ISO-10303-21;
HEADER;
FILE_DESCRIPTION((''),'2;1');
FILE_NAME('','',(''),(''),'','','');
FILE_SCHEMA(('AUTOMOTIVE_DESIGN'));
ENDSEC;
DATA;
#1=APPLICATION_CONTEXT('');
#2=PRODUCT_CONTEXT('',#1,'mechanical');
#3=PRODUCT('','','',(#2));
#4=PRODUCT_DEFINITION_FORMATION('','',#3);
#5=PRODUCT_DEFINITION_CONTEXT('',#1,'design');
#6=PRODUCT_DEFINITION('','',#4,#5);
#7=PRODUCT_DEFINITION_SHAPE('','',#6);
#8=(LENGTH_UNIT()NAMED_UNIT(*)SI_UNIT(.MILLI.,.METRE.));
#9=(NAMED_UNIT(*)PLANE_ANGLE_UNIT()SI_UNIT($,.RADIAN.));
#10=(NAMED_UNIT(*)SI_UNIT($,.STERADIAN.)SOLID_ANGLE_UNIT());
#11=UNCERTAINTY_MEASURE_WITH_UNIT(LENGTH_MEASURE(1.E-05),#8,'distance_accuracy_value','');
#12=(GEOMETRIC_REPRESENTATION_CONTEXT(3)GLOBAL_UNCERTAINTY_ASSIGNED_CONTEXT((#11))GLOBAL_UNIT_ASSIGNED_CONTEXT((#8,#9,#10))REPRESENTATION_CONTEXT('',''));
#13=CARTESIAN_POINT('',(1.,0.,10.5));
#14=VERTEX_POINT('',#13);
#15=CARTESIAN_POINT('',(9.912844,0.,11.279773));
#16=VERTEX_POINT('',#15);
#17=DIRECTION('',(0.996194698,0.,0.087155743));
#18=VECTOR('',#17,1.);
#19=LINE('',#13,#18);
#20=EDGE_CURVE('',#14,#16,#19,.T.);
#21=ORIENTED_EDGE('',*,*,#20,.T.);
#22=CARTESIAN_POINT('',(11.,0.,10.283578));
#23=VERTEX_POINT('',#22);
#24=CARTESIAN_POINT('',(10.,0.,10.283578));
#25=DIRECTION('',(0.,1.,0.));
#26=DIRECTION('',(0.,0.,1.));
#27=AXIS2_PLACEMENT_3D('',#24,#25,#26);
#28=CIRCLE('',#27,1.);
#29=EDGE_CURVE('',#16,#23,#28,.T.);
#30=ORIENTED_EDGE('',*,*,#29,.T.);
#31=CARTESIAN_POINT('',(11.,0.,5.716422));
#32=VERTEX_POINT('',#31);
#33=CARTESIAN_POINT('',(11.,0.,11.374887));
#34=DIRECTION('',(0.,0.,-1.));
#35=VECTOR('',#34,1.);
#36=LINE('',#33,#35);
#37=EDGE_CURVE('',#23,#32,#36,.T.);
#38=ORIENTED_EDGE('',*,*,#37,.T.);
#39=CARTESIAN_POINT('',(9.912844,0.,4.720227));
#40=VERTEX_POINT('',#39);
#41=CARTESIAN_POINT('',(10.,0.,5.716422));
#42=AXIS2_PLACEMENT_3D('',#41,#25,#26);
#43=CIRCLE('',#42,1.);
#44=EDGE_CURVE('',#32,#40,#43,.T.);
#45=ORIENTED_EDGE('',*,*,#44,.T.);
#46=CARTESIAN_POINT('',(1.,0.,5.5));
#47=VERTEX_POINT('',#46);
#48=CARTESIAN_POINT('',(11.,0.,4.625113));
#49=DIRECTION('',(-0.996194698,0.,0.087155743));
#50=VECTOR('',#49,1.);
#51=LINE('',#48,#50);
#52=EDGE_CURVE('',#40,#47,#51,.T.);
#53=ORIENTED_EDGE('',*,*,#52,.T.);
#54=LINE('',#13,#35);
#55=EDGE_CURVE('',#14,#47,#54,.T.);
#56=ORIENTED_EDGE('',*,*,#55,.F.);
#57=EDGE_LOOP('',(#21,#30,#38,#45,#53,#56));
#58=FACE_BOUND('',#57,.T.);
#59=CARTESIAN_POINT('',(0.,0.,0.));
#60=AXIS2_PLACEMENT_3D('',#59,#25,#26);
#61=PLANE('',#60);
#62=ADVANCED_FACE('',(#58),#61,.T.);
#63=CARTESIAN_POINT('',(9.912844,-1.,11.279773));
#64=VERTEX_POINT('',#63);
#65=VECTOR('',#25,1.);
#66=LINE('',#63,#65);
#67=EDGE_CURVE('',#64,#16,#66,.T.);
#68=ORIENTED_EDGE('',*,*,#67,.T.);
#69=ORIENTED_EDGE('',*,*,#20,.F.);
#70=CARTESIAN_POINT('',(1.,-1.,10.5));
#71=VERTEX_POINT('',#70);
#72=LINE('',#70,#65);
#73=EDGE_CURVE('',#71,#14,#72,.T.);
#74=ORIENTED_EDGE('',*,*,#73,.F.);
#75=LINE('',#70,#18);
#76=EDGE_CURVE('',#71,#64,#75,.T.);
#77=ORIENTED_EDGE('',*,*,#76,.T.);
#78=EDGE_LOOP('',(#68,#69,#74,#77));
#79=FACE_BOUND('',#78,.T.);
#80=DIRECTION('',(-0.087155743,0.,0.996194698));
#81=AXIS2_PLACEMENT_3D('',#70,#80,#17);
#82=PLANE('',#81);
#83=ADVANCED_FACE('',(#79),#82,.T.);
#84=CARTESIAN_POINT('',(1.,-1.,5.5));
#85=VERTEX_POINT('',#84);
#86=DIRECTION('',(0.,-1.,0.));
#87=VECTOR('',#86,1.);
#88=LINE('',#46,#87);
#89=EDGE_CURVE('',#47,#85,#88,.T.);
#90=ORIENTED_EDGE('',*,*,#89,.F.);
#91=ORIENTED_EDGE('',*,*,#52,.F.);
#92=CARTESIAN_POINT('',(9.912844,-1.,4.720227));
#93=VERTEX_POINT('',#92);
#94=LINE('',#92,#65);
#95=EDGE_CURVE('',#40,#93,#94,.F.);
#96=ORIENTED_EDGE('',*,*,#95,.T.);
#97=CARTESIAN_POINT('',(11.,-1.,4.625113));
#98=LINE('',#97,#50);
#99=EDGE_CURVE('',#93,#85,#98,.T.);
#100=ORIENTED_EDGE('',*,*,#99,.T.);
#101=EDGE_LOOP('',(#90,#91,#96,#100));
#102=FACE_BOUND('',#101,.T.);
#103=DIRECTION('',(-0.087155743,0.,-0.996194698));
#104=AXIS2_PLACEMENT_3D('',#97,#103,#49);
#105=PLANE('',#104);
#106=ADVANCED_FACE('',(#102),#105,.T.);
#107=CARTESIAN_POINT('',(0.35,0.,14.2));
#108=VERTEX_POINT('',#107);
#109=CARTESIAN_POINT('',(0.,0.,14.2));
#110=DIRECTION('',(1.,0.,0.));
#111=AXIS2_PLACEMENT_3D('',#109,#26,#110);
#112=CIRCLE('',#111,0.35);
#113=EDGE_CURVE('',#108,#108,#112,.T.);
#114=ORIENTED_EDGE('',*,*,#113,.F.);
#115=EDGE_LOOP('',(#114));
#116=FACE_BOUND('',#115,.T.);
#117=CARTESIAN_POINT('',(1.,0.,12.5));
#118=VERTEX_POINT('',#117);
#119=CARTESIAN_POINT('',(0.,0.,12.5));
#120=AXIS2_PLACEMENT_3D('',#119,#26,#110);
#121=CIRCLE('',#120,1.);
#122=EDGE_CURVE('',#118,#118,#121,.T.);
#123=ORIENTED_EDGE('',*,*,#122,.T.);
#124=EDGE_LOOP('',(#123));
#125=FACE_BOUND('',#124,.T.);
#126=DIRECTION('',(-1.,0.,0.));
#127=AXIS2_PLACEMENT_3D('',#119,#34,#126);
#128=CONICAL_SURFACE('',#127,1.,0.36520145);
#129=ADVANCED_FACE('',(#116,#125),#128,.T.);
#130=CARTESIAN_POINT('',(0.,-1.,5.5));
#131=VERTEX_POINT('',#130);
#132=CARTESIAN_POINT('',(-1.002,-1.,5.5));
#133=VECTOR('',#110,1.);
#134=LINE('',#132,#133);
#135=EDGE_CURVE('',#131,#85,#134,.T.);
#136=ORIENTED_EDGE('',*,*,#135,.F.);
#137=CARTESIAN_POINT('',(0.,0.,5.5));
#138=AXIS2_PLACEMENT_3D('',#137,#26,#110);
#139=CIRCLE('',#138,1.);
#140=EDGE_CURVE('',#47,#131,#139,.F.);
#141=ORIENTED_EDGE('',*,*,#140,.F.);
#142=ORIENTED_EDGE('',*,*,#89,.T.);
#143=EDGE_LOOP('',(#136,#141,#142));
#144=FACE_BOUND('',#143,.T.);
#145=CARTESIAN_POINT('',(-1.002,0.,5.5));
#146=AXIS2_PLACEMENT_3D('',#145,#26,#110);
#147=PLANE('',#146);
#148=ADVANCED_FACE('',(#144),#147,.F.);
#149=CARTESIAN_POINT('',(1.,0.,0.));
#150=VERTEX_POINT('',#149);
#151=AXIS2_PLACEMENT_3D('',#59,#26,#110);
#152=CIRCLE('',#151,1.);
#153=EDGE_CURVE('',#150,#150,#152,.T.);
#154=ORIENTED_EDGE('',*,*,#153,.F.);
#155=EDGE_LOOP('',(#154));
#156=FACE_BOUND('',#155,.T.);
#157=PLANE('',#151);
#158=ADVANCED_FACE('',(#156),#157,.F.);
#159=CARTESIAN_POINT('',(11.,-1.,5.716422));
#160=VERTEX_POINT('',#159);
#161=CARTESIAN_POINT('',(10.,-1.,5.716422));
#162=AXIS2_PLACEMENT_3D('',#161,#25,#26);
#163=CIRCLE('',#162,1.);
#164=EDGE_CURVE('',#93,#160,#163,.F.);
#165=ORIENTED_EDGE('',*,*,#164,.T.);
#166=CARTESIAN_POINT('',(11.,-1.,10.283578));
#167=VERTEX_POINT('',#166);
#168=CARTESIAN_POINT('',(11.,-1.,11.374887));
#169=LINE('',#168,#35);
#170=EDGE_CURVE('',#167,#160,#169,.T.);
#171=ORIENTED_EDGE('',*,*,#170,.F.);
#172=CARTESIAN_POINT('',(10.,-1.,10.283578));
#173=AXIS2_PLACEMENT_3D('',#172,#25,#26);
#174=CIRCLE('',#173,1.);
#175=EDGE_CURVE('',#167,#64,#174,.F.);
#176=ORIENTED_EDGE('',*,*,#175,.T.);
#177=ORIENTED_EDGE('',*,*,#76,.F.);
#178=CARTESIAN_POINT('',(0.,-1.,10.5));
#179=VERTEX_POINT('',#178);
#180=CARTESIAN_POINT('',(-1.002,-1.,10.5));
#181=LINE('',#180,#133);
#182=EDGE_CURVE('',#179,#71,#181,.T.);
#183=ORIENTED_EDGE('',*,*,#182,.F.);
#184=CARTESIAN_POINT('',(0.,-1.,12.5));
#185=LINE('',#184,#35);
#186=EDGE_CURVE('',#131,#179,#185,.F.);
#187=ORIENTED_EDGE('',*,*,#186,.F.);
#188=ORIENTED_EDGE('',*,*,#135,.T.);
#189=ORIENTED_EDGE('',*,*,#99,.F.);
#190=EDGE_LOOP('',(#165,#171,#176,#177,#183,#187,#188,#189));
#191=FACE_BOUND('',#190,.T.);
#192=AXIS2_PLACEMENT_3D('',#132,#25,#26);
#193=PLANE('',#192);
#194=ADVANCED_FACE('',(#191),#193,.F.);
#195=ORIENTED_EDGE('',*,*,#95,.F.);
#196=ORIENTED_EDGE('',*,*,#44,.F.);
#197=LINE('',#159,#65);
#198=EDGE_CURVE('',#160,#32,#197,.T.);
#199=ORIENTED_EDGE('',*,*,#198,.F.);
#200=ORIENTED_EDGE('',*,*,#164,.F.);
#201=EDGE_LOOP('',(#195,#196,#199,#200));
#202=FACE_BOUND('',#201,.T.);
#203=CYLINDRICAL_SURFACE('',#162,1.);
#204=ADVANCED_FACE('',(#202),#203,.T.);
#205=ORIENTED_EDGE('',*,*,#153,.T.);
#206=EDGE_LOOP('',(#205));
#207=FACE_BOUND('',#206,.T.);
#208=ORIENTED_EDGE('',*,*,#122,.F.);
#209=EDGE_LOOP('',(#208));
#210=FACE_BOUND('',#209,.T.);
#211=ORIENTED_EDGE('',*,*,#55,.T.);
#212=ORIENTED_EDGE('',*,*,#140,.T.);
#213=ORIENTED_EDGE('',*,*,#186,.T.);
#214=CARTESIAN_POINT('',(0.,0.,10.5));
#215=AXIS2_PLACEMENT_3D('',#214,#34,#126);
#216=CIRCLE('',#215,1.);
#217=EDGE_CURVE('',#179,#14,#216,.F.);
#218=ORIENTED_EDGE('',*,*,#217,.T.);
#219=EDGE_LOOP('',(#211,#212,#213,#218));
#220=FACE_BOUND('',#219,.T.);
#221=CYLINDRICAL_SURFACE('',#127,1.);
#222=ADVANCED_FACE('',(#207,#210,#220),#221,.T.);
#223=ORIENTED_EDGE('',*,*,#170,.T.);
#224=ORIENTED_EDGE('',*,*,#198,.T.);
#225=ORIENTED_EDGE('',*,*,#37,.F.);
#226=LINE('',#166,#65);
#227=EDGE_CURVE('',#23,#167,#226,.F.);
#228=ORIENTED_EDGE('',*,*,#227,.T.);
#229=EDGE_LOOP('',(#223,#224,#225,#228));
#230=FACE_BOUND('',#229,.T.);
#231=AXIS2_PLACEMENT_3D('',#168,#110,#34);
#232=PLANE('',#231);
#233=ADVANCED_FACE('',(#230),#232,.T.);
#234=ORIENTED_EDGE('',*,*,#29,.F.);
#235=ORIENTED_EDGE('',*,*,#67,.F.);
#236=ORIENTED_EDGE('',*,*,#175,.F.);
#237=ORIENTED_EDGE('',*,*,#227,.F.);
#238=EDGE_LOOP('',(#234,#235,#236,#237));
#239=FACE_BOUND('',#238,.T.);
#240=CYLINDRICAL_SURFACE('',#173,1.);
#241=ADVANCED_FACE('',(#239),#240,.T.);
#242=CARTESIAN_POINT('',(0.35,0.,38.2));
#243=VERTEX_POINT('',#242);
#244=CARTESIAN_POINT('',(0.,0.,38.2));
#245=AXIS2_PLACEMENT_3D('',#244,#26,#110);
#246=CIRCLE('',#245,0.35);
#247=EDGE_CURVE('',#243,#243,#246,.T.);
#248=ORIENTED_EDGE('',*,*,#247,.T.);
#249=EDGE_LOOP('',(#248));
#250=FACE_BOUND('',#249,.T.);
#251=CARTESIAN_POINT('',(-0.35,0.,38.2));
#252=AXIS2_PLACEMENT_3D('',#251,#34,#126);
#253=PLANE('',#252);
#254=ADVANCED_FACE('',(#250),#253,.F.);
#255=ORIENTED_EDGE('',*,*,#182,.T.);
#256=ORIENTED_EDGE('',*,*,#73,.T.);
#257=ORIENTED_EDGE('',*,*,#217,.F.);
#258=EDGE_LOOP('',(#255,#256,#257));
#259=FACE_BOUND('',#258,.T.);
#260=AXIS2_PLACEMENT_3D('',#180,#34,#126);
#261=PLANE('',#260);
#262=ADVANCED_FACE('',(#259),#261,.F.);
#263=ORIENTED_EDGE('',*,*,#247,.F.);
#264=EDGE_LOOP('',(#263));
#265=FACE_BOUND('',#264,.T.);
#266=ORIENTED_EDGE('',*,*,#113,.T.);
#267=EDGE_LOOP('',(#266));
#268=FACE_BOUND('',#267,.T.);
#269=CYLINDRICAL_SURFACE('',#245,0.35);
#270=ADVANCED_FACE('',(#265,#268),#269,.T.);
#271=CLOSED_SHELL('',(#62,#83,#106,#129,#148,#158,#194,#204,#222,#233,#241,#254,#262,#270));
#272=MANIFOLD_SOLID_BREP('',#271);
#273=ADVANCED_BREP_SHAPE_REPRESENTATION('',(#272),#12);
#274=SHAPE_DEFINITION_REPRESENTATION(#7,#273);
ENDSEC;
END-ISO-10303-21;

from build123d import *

# Parameters (mm, degrees)
SKETCH_1_R      = 1
EXTRUDE_1_DEPTH = 12.5
EXTRUDE_2_DEPTH = 1
EXTRUDE_3_REACH = 18.039
SKETCH_3_W      = 5
SKETCH_3_H      = 1
FILLET_1_R      = 1


with BuildPart() as part:
    # 草图1 → 凸台-拉伸1 (new body)
    with BuildSketch(Plane.XY):
        Circle(SKETCH_1_R)
    extrude(amount=EXTRUDE_1_DEPTH)

    # 草图3 → 凸台-拉伸3 (add, up to next)
    with BuildSketch(Plane.ZY.offset(-1), mode=Mode.PRIVATE) as extrude_3_sk1:
        with Locations((8, -0.5)):
            Rectangle(SKETCH_3_W, SKETCH_3_H)
    extrude_3_tool1 = extrude(extrude_3_sk1.sketch, amount=EXTRUDE_3_REACH, mode=Mode.PRIVATE) - part.part


with BuildPart() as body_2:
    # 草图2 → 凸台-拉伸2 (new body)
    with BuildSketch(Plane(origin=(0, 0, 0), x_dir=(1, 0, 0), z_dir=(0, 1, 0))):
        Polygon((1, -10.5), (1, -5.5), (11, -4.625113365), (11, -11.374886635), align=None)
    extrude(amount=-EXTRUDE_2_DEPTH)


with BuildPart() as part_1:
    add(part.part)

    add(body_2.part)  # 凸台-拉伸3 merges body 2
    add(extrude_3_tool1.solids().sort_by_distance((1, -0.5, 8))[0])

    # 草图5 → 旋转2 (revolve)
    with BuildSketch(Plane(origin=(0, 0, 0), x_dir=(1, 0, 0), z_dir=(0, 1, 0)), mode=Mode.PRIVATE) as revolve_2_sk:
        Polygon((-1, -12.5), (-0.35, -14.2), (-0.35, -38.2), (0, -38.2), (0, -14.2), (0, -12.5), align=None)
    revolve(revolve_2_sk.sketch.rotate(Axis((0, 0, 38.2), (0, 0, -1)), 180), axis=Axis((0, 0, 38.2), (0, 0, -1)))

    # 圆角1
    fillet_1_edges = [part_1.edges().sort_by_distance(p)[0] for p in [
        (11, -0.5, 11.374886635),
        (11, -0.5, 4.625113365),
    ]]
    fillet(fillet_1_edges, radius=FILLET_1_R)


solid = part_1.part
